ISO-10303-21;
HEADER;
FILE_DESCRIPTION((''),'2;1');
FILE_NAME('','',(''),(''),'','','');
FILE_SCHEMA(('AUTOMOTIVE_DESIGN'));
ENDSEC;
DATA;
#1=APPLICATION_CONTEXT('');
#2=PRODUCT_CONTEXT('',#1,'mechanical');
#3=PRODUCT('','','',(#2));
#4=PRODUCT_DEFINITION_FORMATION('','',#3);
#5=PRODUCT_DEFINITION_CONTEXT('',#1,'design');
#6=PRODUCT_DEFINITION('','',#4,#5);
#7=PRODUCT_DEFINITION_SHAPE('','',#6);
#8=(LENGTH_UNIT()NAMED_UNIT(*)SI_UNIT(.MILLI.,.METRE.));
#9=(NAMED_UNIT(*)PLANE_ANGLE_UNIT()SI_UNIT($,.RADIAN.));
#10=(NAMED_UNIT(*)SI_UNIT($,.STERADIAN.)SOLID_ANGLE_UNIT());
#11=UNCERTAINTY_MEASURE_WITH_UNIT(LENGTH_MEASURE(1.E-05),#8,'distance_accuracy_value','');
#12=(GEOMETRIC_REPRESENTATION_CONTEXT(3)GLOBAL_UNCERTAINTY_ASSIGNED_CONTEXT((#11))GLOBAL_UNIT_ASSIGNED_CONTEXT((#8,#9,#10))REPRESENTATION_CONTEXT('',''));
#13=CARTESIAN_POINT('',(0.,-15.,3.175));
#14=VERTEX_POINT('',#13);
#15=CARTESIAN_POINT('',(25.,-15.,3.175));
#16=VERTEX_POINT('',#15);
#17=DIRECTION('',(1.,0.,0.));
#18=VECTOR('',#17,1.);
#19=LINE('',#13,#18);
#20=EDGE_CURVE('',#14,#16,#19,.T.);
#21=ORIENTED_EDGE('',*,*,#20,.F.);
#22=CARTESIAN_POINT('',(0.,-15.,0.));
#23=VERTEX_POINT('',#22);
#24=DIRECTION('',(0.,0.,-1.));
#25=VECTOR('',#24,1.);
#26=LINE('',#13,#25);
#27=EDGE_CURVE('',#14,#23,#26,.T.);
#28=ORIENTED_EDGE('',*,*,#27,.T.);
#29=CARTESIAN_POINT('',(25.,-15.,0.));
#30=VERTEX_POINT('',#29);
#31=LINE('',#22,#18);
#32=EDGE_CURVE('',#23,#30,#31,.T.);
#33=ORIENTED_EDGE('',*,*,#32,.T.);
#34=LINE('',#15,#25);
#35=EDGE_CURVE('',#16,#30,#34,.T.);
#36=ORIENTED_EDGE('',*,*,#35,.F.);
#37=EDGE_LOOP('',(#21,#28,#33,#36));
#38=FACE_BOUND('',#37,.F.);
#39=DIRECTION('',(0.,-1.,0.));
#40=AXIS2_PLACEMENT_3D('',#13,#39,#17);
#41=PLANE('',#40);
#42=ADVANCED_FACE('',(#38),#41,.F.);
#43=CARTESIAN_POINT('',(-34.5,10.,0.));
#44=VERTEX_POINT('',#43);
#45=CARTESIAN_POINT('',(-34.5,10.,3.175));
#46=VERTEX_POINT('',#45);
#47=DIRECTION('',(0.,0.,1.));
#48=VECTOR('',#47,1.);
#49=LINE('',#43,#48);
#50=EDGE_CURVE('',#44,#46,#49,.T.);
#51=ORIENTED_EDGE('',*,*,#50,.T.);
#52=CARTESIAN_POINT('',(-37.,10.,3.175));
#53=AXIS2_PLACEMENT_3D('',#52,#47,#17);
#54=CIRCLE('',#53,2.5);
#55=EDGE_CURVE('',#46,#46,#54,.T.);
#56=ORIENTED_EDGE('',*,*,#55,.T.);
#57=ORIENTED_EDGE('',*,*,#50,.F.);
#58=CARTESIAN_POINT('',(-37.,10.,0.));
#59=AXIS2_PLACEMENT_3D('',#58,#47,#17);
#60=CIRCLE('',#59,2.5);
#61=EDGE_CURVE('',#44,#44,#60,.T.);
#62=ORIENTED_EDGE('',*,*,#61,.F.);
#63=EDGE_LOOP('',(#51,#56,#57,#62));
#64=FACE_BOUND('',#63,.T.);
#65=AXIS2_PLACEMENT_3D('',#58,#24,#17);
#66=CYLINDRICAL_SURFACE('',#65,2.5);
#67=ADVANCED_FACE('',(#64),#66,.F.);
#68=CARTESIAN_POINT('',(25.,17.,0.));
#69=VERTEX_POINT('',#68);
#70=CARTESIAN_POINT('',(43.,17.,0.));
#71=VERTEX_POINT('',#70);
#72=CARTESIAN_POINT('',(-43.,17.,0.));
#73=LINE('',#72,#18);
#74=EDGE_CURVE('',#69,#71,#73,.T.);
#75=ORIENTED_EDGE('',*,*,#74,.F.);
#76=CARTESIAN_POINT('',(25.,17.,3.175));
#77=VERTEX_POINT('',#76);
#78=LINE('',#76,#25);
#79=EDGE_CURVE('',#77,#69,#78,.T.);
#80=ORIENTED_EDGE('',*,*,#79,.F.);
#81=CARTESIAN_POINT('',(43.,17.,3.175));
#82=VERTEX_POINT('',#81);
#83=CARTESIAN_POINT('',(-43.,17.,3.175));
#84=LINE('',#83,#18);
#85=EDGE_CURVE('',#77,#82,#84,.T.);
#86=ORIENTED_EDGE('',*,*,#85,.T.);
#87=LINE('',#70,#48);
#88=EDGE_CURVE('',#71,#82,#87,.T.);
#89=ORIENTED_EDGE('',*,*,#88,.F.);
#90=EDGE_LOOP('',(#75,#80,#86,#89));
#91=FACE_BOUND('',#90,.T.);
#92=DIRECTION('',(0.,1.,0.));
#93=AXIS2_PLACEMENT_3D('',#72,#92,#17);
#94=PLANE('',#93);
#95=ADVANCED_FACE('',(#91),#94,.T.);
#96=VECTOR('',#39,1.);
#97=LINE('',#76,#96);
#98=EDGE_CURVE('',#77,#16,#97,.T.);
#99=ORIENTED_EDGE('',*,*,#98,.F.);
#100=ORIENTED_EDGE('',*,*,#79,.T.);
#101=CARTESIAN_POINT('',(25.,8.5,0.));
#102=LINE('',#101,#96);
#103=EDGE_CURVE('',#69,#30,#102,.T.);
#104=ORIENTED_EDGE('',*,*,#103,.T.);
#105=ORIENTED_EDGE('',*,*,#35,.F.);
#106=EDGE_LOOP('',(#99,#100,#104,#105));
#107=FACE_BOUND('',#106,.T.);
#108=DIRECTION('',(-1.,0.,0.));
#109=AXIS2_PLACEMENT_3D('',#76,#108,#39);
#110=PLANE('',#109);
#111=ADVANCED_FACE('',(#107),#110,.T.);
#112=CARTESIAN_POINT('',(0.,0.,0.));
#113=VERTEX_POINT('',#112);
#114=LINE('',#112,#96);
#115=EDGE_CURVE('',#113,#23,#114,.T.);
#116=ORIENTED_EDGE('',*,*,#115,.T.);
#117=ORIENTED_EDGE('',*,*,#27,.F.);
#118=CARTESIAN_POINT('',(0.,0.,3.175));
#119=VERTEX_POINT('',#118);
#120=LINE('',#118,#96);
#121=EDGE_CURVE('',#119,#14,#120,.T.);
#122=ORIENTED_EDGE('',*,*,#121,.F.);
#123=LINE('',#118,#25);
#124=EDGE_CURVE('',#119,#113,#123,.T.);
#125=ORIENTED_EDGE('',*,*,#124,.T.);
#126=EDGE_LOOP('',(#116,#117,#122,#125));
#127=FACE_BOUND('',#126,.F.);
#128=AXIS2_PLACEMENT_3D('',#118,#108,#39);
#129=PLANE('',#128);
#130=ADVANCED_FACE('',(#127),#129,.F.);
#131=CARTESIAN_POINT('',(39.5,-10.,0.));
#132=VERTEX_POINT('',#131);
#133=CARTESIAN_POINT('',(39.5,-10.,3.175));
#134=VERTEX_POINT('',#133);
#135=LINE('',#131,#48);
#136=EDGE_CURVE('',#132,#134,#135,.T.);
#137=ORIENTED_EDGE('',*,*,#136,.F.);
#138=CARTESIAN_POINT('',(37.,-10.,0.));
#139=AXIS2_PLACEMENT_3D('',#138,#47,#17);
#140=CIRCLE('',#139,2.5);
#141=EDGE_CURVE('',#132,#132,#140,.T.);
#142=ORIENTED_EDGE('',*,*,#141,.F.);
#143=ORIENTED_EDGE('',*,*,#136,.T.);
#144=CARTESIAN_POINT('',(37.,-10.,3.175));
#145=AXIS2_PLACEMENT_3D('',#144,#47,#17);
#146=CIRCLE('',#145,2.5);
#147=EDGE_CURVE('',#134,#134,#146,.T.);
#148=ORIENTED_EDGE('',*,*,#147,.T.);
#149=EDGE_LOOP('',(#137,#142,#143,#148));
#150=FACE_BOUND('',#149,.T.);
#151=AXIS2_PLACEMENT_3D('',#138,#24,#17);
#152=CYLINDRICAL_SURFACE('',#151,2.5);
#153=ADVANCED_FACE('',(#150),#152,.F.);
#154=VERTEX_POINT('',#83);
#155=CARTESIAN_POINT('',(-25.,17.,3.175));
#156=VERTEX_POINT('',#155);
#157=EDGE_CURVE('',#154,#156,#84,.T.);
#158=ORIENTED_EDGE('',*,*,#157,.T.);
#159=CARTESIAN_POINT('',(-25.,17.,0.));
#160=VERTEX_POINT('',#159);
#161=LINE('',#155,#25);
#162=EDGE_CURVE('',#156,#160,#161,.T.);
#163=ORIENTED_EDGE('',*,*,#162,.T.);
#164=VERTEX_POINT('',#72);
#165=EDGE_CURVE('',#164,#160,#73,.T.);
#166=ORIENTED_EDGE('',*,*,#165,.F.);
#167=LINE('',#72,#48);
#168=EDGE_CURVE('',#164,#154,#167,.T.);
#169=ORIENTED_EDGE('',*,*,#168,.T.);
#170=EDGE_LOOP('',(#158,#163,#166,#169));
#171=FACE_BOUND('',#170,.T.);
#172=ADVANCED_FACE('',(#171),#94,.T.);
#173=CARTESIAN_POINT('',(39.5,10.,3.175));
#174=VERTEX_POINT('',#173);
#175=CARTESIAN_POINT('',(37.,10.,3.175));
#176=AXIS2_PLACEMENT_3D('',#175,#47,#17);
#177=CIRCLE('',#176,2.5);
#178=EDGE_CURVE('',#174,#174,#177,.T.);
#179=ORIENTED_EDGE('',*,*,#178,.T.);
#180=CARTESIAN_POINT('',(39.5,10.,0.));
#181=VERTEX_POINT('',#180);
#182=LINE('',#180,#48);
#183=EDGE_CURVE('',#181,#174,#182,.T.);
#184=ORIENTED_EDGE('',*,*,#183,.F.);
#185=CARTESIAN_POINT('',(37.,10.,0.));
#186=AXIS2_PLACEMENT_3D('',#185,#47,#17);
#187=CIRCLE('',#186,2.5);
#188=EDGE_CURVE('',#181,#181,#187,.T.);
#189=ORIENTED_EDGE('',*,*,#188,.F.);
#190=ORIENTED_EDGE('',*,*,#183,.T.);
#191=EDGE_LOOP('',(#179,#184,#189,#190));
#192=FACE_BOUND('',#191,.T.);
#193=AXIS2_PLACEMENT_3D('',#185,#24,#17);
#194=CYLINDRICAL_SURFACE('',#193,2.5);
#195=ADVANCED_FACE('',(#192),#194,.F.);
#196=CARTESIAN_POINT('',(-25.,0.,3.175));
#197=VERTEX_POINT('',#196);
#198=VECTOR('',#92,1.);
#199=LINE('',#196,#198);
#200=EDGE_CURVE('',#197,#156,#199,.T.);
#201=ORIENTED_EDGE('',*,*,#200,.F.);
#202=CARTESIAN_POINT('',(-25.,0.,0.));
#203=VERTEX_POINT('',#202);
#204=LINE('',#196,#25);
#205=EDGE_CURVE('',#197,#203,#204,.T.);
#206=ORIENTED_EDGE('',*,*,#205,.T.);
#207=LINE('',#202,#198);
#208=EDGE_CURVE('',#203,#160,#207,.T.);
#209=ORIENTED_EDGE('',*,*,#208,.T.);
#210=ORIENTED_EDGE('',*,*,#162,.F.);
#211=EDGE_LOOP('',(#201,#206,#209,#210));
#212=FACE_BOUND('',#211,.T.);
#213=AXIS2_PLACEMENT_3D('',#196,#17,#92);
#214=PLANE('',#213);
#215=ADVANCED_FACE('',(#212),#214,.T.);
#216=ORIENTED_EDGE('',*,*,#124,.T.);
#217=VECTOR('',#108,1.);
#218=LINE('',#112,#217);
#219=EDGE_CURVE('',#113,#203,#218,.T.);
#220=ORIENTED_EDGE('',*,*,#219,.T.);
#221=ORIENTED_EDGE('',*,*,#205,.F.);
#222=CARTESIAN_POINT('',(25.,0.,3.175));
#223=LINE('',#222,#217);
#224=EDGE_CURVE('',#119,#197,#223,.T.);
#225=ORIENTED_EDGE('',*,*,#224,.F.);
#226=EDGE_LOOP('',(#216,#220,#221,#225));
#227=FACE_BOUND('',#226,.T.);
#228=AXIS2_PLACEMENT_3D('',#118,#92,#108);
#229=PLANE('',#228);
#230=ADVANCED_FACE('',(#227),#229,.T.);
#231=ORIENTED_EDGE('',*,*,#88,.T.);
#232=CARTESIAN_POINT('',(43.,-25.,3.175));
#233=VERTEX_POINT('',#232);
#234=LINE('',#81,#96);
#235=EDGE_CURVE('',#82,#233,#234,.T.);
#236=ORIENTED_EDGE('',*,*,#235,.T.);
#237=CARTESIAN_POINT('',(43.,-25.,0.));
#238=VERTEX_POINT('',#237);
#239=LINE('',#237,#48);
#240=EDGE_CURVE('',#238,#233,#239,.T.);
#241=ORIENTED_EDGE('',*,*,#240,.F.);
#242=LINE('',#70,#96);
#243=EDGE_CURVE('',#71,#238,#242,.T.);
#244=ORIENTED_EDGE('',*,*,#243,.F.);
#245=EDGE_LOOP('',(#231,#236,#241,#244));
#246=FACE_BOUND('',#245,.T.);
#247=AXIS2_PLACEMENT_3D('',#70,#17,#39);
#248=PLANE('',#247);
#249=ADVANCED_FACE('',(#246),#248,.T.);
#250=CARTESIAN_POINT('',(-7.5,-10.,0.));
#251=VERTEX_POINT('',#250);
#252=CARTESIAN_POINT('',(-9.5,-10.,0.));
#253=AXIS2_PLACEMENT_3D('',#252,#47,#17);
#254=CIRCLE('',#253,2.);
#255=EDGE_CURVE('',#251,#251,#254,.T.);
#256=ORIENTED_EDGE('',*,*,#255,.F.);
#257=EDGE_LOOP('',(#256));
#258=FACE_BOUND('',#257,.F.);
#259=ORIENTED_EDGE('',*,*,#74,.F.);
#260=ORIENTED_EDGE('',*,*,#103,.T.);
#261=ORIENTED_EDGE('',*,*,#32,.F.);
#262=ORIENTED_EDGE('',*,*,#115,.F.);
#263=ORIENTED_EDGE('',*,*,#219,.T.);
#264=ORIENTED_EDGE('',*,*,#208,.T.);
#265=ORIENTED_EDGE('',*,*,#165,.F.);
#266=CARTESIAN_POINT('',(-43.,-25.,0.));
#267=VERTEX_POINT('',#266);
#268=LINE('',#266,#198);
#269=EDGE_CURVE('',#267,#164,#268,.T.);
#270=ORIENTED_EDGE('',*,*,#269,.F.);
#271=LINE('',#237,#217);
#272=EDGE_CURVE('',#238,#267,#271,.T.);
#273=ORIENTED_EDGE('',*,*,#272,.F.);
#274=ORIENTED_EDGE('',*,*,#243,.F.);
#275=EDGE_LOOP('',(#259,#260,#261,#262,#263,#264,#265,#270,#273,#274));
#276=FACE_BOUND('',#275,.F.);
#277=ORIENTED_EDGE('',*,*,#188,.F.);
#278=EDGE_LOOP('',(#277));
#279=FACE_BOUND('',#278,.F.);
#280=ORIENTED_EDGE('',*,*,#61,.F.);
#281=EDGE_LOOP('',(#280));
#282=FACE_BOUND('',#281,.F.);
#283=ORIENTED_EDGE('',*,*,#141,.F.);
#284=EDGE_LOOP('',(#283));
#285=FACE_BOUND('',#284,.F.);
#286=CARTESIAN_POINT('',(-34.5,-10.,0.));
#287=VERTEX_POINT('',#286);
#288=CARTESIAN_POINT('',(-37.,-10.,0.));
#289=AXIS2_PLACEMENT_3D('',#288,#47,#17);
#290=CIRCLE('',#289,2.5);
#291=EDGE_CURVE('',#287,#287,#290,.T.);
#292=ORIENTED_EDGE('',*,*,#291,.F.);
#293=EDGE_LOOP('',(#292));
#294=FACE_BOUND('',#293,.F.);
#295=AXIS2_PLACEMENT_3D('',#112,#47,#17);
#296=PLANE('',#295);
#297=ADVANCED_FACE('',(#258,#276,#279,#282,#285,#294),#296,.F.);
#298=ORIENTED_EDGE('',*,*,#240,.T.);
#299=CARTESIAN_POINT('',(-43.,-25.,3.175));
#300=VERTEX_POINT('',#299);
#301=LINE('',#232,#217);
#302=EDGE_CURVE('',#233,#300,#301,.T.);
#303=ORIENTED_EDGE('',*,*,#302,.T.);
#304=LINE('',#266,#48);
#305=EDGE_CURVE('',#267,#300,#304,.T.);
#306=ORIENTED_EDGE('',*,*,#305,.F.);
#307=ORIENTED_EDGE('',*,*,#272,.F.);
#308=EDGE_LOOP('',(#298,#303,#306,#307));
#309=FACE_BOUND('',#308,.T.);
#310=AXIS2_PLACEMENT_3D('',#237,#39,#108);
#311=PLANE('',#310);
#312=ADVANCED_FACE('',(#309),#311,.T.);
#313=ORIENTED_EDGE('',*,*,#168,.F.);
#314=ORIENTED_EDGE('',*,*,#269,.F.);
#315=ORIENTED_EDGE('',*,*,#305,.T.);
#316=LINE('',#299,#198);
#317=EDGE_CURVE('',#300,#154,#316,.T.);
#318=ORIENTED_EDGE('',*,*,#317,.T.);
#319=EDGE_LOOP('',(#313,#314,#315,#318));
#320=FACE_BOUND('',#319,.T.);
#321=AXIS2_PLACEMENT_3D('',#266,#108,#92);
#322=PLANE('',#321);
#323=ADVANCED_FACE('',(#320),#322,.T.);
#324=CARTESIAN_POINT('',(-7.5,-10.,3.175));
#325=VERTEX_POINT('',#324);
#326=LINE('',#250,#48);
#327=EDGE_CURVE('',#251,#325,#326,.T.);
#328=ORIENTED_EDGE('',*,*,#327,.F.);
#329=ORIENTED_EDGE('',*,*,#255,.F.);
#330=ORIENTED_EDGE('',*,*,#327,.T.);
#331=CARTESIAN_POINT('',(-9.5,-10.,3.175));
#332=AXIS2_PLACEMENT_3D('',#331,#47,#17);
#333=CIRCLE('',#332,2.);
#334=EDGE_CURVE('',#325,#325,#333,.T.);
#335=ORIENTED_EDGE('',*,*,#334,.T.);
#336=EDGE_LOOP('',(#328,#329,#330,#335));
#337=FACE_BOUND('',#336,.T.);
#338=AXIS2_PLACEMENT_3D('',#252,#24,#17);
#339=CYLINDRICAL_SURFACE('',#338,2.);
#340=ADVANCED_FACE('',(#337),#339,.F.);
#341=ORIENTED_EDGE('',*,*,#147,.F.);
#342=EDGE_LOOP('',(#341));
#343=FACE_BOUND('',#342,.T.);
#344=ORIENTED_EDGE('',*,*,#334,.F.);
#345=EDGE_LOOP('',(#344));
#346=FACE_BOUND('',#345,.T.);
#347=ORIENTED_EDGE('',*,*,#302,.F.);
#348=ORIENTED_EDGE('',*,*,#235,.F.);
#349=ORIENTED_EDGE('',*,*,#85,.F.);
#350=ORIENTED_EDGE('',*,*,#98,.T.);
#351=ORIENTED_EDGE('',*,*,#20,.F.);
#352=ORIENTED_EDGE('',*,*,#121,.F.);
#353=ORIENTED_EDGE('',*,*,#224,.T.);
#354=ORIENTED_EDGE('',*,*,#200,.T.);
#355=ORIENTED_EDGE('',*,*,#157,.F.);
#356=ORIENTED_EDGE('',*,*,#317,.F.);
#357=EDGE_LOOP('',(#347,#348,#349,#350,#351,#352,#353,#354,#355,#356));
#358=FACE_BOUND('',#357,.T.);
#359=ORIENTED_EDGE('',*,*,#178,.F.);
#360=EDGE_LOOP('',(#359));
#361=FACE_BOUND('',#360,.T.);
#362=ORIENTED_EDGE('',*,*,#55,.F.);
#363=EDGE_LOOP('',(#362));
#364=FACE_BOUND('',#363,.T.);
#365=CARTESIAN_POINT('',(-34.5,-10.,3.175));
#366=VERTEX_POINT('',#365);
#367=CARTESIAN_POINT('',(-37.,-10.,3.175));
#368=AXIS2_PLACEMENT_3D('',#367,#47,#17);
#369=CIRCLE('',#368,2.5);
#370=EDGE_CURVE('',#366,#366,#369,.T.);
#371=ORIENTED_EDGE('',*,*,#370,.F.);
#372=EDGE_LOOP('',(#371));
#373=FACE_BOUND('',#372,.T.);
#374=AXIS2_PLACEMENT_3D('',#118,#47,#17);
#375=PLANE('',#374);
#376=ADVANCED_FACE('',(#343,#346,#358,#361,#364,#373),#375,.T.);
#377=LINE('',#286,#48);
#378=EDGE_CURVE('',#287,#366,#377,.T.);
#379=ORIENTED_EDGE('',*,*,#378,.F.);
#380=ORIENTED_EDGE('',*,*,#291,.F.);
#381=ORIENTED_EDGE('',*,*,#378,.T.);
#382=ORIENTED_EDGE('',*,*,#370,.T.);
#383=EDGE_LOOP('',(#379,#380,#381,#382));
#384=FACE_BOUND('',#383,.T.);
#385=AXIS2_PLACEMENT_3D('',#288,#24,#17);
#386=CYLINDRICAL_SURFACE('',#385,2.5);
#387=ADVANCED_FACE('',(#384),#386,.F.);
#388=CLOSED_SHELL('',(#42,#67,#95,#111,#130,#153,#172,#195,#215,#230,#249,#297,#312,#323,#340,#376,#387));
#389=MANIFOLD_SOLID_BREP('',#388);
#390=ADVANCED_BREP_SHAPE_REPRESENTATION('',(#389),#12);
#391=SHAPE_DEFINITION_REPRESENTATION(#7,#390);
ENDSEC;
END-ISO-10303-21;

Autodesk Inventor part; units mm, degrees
ref_plane "YZ Plane" through (0, 0, 0) normal (1, 0, 0) x (0, 1, 0)
ref_plane "XZ Plane" through (0, 0, 0) normal (0, 1, 0) x (-1, 0, 0)
ref_plane "XY Plane" through (0, 0, 0) normal (0, 0, 1) x (1, 0, 0)
sketch "Sketch1" plane through (0, 0, 0) normal (0, 0, 1) x (1, 0, 0)
  line L0 (-43, 17) -> (43, 17)
  line L1 (43, 17) -> (43, -25)
  line L2 (43, -25) -> (-43, -25)
  line L3 (-43, -25) -> (-43, 17)
  circle A0 centre (-37, 10) radius 2.5
  circle A1 centre (-37, -10) radius 2.5
  line L4 (0, 17) -> (0, -25) construction
  circle A2 centre (37, 10) radius 2.5
  circle A3 centre (37, -10) radius 2.5
  circle A4 centre (-9.5, -10) radius 2
  point P0 (0, 0)
  point P1 (-43, -4)
  dimension "d0" = 86
  dimension "d1" = 42
  dimension "d2" = 5
  dimension "d3" = 7
  dimension "d4" = 6
  dimension "d5" = 6
  dimension "d6" = 15
  dimension "d7" = 4
  dimension "d8" = 27.5
extrude "Extrusion3" add sketch "Sketch1" along normal blind 3.175
sketch "Sketch3" plane through (0, 0, 3.175) normal (0, 0, 1) x (1, 0, 0)
  line L0 (-25, 17) -> (25, 17)
  line L1 (25, 17) -> (25, 0)
  line L2 (25, 0) -> (-25, 0)
  line L3 (-25, 0) -> (-25, 17)
  line L4 (43, 17) -> (-43, 17) projected
  circle A0 centre (-9.5, -10) radius 2 projected
  line L5 (25, 0) -> (0, 0)
  line L6 (0, 0) -> (0, -15)
  line L7 (0, -15) -> (25, -15)
  line L8 (25, -15) -> (25, 0)
  line L9 (-43, -25) -> (43, -25) projected
  point P0 (0, 0)
  point P1 (0, 17)
  dimension "d20" = 50
  dimension "d22" = 10
  dimension "d23" = 9.5
  dimension "d24" = 10
extrude "Extrusion4" cut sketch "Sketch3" against normal through all contours L0 L1 L2 L3 | L8 L7 L6 L2
equation "\"d5\" = d4"
equation "\"d24\" = d22"
properties part number "BaseAluminio"
